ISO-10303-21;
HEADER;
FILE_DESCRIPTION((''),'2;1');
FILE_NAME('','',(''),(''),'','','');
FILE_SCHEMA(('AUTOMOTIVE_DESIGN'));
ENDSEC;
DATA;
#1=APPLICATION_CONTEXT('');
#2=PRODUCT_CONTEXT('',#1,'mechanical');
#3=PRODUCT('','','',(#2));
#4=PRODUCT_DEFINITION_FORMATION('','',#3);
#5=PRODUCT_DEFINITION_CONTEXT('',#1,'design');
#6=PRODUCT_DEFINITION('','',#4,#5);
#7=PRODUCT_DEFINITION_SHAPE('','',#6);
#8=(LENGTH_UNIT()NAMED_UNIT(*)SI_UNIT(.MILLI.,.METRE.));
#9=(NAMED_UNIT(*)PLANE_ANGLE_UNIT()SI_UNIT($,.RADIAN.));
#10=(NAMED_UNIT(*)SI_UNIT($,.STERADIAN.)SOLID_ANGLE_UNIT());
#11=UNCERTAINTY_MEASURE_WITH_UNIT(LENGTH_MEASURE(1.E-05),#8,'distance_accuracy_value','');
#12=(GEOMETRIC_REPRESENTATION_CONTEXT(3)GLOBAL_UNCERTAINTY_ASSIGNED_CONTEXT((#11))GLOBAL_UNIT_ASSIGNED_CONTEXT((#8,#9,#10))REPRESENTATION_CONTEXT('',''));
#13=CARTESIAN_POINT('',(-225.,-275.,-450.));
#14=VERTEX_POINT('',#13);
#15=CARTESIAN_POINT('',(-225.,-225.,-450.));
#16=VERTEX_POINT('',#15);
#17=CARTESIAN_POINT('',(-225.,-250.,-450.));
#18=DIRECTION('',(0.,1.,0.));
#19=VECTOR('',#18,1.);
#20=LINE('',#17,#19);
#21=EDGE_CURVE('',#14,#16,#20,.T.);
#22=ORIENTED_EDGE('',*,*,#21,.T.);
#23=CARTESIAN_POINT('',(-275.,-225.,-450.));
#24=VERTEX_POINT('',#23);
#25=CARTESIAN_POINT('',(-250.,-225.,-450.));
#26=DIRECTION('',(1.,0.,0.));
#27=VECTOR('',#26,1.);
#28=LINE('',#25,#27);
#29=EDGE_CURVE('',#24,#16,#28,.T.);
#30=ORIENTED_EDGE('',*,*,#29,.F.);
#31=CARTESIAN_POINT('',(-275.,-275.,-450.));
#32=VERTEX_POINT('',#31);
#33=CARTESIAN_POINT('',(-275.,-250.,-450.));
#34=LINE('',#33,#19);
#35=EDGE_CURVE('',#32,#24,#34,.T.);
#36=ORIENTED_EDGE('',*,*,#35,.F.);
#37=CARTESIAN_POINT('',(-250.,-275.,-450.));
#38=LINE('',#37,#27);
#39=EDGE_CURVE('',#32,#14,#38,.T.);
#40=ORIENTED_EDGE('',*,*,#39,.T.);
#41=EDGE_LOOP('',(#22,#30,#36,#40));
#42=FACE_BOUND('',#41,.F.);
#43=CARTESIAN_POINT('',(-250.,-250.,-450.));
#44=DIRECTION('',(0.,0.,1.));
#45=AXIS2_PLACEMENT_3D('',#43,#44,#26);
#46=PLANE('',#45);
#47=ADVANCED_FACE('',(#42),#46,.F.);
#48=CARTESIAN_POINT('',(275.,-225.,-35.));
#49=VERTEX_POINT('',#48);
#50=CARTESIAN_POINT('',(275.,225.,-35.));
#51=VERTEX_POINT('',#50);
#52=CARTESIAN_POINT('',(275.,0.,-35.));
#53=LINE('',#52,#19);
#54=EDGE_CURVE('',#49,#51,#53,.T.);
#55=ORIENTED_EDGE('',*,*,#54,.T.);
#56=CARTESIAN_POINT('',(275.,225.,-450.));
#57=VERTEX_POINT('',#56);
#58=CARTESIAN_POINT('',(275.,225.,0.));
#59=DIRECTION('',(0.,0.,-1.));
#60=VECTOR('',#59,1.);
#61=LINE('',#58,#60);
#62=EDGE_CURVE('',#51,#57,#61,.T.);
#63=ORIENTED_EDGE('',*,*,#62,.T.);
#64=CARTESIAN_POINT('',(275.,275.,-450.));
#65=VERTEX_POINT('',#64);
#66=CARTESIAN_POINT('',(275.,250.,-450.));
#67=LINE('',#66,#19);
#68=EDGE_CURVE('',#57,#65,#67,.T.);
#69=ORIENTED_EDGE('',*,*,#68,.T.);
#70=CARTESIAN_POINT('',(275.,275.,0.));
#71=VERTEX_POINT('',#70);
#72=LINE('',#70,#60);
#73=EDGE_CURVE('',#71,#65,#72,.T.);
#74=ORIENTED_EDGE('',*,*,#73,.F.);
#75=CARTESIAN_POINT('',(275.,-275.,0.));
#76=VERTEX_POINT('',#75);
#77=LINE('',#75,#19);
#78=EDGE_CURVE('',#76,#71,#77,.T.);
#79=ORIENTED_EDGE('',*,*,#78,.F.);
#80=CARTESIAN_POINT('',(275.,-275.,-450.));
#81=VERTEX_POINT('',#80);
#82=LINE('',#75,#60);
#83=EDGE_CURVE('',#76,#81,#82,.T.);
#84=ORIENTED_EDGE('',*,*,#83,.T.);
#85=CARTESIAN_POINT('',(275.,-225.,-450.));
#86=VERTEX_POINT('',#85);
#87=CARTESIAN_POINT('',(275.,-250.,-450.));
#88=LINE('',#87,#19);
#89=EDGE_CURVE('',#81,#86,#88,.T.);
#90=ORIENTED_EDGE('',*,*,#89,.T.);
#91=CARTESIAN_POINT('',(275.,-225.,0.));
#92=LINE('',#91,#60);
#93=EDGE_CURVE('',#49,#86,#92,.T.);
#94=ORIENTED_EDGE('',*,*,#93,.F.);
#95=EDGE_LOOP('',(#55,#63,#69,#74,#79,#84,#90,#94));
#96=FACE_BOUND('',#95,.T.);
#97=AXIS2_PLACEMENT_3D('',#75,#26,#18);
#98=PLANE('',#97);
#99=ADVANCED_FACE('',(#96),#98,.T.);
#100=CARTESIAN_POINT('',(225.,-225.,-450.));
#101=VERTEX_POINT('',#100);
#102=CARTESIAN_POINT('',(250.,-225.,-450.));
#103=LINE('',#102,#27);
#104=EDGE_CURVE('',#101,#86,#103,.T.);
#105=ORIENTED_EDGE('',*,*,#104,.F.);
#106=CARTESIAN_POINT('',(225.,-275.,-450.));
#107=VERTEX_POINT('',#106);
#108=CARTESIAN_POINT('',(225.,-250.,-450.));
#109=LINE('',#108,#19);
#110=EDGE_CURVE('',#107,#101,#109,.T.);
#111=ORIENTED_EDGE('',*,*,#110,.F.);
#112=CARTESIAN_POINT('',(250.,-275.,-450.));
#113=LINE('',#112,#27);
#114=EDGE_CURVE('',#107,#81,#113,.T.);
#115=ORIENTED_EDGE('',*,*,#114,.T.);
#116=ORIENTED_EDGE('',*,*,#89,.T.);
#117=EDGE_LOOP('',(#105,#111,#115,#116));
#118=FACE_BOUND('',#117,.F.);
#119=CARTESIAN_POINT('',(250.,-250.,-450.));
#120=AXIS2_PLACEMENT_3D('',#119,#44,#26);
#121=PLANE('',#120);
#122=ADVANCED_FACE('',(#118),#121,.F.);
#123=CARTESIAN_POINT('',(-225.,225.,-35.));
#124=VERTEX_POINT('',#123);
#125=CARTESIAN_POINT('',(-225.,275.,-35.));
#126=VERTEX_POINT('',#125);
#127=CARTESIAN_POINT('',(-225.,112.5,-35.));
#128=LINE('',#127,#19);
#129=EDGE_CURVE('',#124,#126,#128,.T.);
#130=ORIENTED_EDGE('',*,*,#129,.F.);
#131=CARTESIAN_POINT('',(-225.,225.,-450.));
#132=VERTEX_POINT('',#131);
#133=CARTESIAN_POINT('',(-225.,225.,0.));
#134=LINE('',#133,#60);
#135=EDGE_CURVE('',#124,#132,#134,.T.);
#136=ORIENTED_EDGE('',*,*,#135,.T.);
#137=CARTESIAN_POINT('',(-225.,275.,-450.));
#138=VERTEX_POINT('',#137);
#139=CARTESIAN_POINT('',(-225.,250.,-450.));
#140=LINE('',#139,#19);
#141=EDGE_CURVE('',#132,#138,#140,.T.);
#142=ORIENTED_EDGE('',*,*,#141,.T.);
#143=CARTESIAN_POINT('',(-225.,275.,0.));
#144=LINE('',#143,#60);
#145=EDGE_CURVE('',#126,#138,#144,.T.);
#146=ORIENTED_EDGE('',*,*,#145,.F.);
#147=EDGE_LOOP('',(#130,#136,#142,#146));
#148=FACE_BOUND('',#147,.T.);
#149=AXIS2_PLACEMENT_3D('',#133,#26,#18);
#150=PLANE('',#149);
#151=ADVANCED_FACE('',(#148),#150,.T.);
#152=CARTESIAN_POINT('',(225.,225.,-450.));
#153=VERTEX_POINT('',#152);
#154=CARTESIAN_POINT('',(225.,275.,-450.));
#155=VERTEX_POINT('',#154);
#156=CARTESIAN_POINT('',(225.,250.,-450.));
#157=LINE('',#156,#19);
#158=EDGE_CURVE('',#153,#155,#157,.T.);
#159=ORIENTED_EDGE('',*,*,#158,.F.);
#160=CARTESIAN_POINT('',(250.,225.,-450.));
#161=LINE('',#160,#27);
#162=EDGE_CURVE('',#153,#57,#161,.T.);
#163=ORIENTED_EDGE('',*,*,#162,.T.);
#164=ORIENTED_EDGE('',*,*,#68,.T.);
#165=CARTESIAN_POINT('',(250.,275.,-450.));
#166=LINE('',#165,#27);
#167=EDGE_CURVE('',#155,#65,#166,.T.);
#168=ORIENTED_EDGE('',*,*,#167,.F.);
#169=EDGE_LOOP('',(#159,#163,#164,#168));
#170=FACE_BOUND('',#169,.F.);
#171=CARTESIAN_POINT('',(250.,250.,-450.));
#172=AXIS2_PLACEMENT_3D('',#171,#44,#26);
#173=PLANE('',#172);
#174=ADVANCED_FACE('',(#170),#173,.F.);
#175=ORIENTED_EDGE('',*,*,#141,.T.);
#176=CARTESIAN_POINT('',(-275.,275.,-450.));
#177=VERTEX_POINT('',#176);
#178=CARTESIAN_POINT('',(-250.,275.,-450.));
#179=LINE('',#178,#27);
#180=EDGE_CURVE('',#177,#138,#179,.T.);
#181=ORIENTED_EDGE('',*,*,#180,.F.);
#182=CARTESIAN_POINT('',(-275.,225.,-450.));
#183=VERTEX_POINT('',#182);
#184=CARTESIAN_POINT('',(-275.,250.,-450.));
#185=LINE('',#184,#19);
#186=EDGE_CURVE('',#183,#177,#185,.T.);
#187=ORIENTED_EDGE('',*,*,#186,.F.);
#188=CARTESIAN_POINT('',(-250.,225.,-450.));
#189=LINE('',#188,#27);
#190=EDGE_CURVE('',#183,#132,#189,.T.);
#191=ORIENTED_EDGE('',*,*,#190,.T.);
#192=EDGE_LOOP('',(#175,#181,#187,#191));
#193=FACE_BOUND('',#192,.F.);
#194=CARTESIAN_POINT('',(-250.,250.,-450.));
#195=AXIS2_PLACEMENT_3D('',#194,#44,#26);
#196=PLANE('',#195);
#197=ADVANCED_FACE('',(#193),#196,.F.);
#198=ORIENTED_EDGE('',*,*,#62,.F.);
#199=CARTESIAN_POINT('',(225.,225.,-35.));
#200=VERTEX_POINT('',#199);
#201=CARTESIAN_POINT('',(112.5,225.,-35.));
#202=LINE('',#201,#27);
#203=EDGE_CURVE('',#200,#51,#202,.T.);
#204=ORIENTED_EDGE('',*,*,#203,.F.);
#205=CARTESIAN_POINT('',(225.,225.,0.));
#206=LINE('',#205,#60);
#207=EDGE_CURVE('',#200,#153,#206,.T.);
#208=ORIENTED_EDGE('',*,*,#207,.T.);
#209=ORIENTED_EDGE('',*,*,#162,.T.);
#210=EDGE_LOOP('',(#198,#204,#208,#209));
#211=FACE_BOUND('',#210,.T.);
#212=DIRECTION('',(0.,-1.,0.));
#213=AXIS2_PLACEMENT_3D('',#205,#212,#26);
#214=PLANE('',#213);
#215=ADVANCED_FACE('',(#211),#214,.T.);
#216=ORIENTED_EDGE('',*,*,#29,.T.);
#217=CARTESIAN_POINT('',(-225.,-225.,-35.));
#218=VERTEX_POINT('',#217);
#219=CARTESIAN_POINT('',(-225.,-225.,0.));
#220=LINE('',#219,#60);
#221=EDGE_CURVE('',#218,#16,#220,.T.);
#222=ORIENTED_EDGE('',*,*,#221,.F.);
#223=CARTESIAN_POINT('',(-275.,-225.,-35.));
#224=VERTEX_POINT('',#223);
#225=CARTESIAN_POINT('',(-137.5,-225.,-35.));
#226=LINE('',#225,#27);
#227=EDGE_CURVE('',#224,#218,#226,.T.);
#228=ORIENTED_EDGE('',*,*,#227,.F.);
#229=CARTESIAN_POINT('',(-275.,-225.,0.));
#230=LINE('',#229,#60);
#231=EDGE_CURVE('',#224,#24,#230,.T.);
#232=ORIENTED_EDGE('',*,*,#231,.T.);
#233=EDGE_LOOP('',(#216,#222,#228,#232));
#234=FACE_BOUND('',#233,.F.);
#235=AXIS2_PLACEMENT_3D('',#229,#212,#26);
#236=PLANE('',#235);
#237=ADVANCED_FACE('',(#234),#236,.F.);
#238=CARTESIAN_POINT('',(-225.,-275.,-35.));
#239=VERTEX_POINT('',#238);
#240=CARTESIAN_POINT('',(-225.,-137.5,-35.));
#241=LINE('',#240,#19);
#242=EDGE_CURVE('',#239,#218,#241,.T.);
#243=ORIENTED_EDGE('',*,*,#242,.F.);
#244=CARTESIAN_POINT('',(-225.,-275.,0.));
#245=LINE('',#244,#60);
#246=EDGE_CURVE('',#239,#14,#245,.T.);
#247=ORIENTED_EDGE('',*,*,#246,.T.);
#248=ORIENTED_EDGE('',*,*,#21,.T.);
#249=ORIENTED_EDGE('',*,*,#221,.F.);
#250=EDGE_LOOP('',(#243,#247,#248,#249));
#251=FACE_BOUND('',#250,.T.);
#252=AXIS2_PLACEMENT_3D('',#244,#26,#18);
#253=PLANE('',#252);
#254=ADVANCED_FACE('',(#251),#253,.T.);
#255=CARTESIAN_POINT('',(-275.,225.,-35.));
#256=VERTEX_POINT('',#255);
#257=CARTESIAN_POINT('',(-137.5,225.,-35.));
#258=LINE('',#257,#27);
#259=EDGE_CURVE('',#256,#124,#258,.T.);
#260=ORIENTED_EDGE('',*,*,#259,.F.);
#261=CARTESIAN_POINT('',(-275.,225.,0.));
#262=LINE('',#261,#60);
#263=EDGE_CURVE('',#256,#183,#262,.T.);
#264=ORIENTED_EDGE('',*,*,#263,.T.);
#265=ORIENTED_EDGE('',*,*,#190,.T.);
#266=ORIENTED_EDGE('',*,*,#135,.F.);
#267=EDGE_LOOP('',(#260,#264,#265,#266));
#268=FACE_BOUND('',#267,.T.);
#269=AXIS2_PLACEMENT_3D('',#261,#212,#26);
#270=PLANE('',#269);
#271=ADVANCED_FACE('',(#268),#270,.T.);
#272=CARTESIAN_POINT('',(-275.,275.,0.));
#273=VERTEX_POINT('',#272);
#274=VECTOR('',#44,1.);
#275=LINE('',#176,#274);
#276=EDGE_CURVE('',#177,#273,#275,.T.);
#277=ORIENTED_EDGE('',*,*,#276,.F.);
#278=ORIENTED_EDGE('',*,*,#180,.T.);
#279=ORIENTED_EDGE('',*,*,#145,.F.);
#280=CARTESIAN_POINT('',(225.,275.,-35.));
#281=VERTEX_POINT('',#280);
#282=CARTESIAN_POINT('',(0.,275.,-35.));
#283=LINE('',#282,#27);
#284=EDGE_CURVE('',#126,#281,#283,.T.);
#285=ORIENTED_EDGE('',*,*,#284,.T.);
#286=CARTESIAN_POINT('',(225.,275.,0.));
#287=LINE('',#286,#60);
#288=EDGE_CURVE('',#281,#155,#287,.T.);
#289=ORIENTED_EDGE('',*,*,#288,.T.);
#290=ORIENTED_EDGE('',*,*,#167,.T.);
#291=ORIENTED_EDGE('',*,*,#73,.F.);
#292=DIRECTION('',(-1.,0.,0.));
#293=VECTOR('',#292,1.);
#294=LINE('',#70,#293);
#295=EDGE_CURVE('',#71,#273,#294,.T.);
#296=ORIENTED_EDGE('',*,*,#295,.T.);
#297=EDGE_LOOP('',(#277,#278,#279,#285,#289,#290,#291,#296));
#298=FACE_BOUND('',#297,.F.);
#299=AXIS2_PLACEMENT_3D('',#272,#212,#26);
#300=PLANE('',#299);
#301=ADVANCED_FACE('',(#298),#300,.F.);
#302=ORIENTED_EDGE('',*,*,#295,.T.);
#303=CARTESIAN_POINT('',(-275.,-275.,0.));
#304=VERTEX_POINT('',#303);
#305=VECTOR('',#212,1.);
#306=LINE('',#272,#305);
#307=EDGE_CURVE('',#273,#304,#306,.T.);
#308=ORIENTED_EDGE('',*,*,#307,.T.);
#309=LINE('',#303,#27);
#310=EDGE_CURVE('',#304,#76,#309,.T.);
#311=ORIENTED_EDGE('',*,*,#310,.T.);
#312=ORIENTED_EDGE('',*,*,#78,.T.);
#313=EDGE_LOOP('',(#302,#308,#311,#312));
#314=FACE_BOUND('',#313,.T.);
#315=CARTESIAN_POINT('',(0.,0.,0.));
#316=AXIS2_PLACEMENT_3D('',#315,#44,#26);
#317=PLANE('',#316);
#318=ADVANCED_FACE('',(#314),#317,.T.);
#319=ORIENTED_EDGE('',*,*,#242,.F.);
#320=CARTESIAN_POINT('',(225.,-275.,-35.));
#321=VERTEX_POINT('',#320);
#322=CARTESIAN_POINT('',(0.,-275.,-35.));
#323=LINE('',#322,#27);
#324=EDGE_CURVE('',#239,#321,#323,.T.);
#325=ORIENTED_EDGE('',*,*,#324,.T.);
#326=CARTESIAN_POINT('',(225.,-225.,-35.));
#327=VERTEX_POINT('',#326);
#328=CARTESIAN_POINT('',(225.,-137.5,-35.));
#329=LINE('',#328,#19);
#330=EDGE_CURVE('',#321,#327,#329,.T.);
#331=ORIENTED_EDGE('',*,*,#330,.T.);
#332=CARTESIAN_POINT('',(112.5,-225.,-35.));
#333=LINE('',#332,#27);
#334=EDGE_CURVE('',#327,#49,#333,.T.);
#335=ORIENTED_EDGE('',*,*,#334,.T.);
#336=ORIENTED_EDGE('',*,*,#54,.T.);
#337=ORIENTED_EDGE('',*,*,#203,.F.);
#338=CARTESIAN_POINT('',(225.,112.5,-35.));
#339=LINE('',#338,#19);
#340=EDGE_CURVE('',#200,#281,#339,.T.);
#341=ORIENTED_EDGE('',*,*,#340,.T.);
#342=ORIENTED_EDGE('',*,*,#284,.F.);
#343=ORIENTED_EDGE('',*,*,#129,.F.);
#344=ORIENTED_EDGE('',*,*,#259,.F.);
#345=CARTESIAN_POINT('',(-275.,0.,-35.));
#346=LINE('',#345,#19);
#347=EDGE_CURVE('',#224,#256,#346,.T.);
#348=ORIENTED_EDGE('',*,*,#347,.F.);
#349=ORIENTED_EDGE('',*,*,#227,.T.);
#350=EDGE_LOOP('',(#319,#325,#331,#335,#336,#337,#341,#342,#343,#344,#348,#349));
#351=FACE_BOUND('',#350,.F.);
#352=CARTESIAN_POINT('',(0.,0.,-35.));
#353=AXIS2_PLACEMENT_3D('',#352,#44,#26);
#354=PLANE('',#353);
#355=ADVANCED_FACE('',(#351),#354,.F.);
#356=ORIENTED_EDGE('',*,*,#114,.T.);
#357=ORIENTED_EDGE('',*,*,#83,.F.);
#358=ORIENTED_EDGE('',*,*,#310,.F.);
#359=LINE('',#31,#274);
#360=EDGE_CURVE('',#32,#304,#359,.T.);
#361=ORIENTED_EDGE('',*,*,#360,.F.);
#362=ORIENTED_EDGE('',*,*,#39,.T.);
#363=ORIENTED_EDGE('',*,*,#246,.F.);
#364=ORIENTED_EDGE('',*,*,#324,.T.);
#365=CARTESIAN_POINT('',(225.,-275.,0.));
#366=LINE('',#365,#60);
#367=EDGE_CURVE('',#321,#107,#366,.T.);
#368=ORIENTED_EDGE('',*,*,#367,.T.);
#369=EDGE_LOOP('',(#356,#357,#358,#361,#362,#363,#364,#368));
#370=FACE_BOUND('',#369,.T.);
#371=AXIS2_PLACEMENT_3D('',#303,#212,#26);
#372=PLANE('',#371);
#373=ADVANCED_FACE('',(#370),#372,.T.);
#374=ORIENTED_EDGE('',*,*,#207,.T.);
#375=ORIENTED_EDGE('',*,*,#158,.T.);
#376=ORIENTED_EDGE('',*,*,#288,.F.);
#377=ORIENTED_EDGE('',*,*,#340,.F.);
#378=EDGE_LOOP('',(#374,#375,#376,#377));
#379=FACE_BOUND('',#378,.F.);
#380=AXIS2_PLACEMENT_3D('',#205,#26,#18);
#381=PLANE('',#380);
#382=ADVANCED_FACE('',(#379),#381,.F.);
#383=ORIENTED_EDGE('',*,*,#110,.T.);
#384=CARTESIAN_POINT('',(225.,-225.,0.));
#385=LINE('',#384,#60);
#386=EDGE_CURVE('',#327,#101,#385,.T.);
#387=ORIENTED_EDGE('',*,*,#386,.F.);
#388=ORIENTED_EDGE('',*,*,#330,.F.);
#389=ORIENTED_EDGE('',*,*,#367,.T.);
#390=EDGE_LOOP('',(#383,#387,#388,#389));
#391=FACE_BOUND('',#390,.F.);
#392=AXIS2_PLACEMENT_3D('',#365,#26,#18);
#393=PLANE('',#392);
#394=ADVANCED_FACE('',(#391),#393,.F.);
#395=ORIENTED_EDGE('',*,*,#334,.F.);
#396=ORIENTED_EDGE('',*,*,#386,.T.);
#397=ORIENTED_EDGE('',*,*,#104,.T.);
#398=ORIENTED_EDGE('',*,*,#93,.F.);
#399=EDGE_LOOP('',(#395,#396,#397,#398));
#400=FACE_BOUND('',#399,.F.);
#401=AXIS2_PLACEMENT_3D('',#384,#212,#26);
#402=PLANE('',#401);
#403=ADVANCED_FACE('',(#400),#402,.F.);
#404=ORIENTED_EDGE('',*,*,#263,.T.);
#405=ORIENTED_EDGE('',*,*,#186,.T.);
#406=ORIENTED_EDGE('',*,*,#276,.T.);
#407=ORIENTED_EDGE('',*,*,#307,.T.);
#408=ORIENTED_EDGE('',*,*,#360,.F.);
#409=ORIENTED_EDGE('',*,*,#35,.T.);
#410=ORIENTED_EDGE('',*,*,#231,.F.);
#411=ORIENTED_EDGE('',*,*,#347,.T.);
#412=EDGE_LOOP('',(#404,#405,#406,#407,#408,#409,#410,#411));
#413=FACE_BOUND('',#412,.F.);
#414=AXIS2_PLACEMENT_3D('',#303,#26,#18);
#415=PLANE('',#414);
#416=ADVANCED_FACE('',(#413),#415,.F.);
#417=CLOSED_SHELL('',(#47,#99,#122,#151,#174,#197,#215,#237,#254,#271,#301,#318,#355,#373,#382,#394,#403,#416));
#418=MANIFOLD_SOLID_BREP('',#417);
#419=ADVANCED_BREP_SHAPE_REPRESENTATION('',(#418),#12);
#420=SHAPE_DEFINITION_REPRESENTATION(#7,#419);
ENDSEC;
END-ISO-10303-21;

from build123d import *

# Parameters (mm, degrees)
F0_W     = 550
F0_H     = 550
F1_DEPTH = 35
F2_W     = 50
F2_H     = 50
F3_DEPTH = 450


with BuildPart() as f1:
    # F0 (on Top) → F1 (new body)
    with BuildSketch(Plane.XY):
        Rectangle(F0_W, F0_H)
    extrude(amount=-F1_DEPTH)

    # F2 (on Top) → F3 (join)
    with BuildSketch(Plane.XY):
        with Locations((250, 250)):
            Rectangle(F2_W, F2_H)
        with Locations((250, -250)):
            Rectangle(F2_W, F2_H)
        with Locations((-250, 250)):
            Rectangle(F2_W, F2_H)
        with Locations((-250, -250)):
            Rectangle(F2_W, F2_H)
    extrude(amount=-F3_DEPTH)


solid = f1.part
